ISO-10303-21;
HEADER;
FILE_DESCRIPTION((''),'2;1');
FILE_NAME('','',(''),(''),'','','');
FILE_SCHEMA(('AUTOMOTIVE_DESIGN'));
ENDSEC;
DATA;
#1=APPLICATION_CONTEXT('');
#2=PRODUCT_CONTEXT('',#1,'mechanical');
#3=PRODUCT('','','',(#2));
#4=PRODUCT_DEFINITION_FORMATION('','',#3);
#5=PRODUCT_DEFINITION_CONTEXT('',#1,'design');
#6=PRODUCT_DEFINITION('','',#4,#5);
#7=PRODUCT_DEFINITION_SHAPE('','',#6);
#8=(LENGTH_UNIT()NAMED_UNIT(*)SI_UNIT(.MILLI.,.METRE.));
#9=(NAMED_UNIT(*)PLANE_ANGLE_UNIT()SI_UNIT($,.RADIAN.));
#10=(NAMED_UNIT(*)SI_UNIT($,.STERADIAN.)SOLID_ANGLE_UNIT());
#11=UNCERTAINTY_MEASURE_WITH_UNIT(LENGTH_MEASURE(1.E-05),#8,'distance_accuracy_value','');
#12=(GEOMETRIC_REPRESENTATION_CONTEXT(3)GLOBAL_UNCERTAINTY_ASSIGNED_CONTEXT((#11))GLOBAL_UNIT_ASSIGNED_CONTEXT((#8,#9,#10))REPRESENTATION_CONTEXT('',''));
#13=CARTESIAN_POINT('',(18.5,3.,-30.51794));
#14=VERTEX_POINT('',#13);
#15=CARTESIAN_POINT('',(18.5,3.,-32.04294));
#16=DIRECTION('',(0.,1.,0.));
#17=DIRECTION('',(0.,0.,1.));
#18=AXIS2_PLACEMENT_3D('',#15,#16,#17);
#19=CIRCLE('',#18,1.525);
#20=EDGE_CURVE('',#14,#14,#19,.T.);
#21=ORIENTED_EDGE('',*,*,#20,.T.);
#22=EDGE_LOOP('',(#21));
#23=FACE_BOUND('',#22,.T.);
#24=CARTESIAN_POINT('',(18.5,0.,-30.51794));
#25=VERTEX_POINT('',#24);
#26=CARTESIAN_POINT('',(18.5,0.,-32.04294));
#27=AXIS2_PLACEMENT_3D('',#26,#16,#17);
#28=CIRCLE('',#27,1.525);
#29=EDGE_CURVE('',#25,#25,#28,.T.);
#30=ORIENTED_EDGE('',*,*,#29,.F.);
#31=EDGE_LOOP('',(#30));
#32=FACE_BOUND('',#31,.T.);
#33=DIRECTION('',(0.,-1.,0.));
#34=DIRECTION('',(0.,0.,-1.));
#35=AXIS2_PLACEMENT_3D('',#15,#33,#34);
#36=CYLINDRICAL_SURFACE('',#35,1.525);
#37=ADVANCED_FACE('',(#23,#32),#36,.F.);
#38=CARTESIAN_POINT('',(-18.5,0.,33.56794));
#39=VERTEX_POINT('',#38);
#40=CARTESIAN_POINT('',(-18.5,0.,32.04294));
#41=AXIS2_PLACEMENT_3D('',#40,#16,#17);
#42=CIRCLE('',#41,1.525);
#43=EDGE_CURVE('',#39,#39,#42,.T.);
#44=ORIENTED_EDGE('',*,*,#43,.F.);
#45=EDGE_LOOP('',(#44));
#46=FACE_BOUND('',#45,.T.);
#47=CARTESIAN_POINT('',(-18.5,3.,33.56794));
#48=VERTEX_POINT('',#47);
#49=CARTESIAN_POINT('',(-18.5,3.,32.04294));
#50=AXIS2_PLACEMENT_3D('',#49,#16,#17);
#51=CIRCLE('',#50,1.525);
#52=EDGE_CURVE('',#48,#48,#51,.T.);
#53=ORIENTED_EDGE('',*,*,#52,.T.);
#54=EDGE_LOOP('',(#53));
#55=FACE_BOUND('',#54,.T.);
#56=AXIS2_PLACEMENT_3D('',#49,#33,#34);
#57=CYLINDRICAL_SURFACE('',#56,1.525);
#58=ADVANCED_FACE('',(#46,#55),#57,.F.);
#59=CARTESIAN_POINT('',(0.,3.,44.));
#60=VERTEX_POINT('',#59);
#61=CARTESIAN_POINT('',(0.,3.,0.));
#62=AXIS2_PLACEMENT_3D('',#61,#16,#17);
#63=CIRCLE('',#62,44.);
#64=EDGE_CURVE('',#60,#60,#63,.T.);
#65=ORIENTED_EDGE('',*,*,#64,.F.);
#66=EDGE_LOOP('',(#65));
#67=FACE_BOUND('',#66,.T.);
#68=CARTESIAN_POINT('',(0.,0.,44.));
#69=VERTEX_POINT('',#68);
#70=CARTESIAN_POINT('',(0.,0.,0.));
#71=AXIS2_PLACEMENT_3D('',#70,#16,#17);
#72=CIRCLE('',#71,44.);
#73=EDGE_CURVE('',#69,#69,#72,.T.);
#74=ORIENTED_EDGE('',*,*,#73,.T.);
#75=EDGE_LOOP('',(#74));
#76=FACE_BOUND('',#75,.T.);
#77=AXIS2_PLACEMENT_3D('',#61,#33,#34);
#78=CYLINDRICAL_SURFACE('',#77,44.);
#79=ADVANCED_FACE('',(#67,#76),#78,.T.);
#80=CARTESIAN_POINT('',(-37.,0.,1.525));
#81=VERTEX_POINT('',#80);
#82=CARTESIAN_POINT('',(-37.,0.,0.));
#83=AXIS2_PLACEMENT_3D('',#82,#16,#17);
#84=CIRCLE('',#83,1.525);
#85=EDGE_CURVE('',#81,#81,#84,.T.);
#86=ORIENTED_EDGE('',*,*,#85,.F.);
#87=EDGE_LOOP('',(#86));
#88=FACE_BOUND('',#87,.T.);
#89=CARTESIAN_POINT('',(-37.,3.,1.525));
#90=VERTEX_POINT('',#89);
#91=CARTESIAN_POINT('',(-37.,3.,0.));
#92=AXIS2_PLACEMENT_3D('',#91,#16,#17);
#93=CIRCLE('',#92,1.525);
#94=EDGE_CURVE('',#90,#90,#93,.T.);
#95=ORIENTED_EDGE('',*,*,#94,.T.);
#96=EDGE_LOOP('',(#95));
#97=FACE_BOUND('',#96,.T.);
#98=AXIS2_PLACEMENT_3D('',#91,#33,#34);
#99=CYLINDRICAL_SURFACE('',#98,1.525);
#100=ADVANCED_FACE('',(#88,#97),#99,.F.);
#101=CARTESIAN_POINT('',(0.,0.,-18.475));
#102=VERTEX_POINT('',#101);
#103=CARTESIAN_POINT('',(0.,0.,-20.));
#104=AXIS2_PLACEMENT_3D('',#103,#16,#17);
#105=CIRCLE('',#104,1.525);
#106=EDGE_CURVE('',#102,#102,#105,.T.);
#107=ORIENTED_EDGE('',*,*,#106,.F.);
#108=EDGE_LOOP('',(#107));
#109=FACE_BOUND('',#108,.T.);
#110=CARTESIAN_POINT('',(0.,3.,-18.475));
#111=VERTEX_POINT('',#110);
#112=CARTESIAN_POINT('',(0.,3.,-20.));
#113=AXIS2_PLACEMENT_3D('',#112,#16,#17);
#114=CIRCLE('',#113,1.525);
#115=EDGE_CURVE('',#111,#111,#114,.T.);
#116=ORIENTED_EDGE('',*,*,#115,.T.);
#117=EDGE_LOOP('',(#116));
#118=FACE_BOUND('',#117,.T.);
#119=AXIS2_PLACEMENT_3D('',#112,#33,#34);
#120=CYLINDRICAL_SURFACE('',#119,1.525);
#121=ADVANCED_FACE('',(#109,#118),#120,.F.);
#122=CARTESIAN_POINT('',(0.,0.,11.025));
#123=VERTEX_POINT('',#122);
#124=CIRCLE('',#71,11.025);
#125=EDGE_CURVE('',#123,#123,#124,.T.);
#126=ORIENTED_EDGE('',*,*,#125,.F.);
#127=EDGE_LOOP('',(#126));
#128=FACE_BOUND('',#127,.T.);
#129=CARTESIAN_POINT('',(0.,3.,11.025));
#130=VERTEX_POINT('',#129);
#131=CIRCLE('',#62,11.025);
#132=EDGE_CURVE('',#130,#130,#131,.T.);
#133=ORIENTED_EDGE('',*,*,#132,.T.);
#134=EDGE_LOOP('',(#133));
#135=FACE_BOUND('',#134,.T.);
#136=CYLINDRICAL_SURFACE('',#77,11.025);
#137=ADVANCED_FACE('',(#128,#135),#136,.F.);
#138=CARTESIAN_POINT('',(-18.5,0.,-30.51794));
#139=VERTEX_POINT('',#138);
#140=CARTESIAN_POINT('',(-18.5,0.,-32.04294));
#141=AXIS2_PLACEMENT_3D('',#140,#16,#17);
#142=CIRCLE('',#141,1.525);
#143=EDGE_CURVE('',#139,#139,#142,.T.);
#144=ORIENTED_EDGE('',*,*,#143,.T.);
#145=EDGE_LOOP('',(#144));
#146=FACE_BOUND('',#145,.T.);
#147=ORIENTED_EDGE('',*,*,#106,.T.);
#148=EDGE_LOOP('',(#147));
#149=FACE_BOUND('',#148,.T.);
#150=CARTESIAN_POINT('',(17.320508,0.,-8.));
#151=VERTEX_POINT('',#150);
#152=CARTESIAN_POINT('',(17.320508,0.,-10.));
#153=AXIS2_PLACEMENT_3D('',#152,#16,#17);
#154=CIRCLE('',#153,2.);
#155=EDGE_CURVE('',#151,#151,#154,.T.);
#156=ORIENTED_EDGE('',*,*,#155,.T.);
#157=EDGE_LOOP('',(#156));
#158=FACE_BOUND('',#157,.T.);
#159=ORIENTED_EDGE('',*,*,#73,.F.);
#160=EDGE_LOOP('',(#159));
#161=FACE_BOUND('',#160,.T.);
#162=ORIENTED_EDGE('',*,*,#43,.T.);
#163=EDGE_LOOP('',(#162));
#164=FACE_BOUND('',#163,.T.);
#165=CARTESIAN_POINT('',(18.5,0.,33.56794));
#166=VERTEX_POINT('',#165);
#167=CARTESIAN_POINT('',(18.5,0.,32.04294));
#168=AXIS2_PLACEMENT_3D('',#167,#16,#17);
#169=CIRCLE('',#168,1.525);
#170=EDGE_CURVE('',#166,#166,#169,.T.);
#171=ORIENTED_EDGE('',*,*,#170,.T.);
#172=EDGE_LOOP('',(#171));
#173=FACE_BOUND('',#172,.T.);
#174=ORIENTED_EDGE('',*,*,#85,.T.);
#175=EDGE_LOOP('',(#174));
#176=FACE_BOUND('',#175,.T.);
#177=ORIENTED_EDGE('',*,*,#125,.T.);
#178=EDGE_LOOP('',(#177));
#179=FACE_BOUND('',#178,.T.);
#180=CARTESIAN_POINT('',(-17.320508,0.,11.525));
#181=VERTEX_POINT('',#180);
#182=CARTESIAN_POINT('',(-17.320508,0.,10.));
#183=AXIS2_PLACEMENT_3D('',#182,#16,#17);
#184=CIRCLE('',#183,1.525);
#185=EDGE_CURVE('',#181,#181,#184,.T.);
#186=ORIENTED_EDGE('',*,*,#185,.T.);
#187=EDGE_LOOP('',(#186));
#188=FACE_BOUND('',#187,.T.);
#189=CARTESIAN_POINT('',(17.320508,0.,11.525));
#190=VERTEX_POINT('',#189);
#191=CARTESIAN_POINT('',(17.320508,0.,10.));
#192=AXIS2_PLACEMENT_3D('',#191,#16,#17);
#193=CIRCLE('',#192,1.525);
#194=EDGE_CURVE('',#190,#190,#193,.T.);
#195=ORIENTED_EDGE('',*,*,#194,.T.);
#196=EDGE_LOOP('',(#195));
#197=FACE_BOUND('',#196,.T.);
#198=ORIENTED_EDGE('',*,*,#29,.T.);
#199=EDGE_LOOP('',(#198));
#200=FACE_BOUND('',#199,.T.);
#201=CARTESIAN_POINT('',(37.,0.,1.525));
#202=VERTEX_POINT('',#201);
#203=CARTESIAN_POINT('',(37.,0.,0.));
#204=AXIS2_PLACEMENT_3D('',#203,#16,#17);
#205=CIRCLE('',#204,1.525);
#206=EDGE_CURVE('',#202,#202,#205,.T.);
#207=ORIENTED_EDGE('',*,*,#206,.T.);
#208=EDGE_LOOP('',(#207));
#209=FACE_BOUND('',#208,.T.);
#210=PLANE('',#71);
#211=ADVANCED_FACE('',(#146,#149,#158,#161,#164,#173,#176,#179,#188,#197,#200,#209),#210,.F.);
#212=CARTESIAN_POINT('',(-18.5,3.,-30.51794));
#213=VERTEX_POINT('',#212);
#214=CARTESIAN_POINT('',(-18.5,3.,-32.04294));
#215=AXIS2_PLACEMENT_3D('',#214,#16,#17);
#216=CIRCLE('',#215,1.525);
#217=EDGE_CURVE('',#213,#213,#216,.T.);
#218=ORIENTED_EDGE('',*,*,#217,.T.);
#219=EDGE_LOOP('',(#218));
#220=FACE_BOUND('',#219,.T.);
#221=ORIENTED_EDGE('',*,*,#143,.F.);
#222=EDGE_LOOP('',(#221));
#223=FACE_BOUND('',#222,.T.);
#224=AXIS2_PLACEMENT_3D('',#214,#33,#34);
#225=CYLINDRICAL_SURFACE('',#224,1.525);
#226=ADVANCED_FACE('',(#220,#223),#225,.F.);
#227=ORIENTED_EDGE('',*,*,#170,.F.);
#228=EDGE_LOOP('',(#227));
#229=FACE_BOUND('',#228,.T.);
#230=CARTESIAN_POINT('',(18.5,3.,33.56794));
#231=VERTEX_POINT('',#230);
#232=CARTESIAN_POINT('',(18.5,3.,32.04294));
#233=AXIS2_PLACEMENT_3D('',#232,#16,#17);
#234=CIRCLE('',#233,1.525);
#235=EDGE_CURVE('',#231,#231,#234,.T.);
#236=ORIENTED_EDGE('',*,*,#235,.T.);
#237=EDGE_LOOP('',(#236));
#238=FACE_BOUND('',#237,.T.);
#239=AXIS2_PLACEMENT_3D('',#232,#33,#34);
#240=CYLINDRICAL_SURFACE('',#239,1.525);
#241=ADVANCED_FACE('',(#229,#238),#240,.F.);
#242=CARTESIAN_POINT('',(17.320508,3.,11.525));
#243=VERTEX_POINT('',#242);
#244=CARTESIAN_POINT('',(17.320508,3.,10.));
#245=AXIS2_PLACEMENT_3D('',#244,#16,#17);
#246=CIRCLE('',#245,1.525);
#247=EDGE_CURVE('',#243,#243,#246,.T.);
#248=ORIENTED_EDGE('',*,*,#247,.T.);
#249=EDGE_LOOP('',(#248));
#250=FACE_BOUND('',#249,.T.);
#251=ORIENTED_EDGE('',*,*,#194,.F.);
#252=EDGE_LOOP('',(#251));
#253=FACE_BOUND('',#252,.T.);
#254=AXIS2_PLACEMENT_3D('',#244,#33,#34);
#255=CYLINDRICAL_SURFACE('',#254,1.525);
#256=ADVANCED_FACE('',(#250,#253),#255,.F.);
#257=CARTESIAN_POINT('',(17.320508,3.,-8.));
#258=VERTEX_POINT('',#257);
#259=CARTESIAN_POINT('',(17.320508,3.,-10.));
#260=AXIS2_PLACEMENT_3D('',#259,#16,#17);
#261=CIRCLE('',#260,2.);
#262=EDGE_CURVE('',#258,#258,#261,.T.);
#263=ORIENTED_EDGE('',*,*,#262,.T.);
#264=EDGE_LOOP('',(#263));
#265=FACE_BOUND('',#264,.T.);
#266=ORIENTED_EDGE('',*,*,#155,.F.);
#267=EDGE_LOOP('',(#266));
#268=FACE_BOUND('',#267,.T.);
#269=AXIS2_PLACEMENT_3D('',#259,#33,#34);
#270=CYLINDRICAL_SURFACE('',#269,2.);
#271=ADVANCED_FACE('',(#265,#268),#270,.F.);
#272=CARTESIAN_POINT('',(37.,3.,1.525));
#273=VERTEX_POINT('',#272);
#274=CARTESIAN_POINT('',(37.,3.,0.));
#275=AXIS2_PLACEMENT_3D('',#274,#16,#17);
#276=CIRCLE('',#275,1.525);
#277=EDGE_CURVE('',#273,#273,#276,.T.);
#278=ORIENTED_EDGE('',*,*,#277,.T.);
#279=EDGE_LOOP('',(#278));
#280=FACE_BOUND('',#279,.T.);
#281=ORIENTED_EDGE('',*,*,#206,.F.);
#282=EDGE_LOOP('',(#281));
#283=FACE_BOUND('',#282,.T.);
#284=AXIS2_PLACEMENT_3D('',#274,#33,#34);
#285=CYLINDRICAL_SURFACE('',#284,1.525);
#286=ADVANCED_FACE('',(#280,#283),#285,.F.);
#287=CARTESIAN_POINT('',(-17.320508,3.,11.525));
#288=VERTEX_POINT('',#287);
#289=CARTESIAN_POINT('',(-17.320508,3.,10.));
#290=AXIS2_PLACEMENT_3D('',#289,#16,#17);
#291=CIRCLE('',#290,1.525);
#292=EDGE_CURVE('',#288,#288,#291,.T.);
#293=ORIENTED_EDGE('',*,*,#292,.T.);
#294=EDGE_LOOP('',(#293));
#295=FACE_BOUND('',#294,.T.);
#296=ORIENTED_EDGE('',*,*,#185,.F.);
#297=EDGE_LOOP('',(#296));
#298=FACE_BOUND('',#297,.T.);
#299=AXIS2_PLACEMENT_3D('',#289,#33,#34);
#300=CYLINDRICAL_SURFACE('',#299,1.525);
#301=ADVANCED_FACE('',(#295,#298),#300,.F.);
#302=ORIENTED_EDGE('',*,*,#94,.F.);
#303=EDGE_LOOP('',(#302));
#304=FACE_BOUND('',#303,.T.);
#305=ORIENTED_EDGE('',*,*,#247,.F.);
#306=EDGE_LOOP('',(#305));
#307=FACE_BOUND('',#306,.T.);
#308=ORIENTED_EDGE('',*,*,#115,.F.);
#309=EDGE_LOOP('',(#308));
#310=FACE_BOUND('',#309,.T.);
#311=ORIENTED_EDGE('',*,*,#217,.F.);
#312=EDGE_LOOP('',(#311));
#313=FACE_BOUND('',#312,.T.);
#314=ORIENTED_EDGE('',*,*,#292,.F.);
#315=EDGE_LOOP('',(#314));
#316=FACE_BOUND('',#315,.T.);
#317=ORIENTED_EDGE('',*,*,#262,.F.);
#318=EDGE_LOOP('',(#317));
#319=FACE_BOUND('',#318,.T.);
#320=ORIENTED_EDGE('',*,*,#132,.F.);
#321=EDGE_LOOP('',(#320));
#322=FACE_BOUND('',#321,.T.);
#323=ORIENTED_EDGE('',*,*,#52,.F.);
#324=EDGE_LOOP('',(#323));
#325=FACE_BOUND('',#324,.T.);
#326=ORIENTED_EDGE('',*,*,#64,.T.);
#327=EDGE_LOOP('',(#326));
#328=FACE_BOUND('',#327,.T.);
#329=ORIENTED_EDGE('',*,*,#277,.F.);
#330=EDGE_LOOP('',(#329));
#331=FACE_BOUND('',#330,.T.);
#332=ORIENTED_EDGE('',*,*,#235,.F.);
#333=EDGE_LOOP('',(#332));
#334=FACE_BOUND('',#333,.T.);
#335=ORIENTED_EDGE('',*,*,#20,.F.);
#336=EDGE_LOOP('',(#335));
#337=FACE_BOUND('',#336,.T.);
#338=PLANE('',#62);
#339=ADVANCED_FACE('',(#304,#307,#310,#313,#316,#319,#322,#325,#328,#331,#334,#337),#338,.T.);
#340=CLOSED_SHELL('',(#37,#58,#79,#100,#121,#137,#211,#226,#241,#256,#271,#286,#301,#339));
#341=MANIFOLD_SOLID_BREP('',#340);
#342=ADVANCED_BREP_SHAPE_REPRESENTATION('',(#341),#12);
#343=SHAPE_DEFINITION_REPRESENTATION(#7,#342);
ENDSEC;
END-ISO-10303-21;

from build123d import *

# Parameters (mm, degrees)
SKETCH_1_R      = 44
SKETCH_1_R_2    = 1.525
SKETCH_1_R_3    = 11.025
SKETCH_1_R_4    = 2
EXTRUDE_1_DEPTH = 3


with BuildPart() as part:
    # 草图1 → 凸台-拉伸1 (new body)
    with BuildSketch(Plane(origin=(0, 0, 0), x_dir=(1, 0, 0), z_dir=(0, 1, 0))):
        with Locations(Location((0, 0, 0), (0, 0, 270))):
            Circle(SKETCH_1_R)
        with Locations(Location((37, 0, 0), (0, 0, 270))):
            Circle(SKETCH_1_R_2, mode=Mode.SUBTRACT)
        with Locations(Location((18.5, -32.04293994, 0), (0, 0, 270))):
            Circle(SKETCH_1_R_2, mode=Mode.SUBTRACT)
        with Locations(Location((-18.5, -32.04293994, 0), (0, 0, 270))):
            Circle(SKETCH_1_R_2, mode=Mode.SUBTRACT)
        with Locations(Location((-37, 0, 0), (0, 0, 270))):
            Circle(SKETCH_1_R_2, mode=Mode.SUBTRACT)
        with Locations(Location((-18.5, 32.04293994, 0), (0, 0, 270))):
            Circle(SKETCH_1_R_2, mode=Mode.SUBTRACT)
        with Locations(Location((18.5, 32.04293994, 0), (0, 0, 270))):
            Circle(SKETCH_1_R_2, mode=Mode.SUBTRACT)
        with Locations(Location((0, 0, 0), (0, 0, 270))):
            Circle(SKETCH_1_R_3, mode=Mode.SUBTRACT)
        with Locations(Location((0, 20, 0), (0, 0, 270))):
            Circle(SKETCH_1_R_2, mode=Mode.SUBTRACT)
        with Locations(Location((17.320508076, -10, 0), (0, 0, 270))):
            Circle(SKETCH_1_R_2, mode=Mode.SUBTRACT)
        with Locations(Location((-17.320508076, -10, 0), (0, 0, 270))):
            Circle(SKETCH_1_R_2, mode=Mode.SUBTRACT)
        with Locations(Location((17.320508076, 10, 0), (0, 0, 270))):
            Circle(SKETCH_1_R_4, mode=Mode.SUBTRACT)
    extrude(amount=EXTRUDE_1_DEPTH)


solid = part.part
